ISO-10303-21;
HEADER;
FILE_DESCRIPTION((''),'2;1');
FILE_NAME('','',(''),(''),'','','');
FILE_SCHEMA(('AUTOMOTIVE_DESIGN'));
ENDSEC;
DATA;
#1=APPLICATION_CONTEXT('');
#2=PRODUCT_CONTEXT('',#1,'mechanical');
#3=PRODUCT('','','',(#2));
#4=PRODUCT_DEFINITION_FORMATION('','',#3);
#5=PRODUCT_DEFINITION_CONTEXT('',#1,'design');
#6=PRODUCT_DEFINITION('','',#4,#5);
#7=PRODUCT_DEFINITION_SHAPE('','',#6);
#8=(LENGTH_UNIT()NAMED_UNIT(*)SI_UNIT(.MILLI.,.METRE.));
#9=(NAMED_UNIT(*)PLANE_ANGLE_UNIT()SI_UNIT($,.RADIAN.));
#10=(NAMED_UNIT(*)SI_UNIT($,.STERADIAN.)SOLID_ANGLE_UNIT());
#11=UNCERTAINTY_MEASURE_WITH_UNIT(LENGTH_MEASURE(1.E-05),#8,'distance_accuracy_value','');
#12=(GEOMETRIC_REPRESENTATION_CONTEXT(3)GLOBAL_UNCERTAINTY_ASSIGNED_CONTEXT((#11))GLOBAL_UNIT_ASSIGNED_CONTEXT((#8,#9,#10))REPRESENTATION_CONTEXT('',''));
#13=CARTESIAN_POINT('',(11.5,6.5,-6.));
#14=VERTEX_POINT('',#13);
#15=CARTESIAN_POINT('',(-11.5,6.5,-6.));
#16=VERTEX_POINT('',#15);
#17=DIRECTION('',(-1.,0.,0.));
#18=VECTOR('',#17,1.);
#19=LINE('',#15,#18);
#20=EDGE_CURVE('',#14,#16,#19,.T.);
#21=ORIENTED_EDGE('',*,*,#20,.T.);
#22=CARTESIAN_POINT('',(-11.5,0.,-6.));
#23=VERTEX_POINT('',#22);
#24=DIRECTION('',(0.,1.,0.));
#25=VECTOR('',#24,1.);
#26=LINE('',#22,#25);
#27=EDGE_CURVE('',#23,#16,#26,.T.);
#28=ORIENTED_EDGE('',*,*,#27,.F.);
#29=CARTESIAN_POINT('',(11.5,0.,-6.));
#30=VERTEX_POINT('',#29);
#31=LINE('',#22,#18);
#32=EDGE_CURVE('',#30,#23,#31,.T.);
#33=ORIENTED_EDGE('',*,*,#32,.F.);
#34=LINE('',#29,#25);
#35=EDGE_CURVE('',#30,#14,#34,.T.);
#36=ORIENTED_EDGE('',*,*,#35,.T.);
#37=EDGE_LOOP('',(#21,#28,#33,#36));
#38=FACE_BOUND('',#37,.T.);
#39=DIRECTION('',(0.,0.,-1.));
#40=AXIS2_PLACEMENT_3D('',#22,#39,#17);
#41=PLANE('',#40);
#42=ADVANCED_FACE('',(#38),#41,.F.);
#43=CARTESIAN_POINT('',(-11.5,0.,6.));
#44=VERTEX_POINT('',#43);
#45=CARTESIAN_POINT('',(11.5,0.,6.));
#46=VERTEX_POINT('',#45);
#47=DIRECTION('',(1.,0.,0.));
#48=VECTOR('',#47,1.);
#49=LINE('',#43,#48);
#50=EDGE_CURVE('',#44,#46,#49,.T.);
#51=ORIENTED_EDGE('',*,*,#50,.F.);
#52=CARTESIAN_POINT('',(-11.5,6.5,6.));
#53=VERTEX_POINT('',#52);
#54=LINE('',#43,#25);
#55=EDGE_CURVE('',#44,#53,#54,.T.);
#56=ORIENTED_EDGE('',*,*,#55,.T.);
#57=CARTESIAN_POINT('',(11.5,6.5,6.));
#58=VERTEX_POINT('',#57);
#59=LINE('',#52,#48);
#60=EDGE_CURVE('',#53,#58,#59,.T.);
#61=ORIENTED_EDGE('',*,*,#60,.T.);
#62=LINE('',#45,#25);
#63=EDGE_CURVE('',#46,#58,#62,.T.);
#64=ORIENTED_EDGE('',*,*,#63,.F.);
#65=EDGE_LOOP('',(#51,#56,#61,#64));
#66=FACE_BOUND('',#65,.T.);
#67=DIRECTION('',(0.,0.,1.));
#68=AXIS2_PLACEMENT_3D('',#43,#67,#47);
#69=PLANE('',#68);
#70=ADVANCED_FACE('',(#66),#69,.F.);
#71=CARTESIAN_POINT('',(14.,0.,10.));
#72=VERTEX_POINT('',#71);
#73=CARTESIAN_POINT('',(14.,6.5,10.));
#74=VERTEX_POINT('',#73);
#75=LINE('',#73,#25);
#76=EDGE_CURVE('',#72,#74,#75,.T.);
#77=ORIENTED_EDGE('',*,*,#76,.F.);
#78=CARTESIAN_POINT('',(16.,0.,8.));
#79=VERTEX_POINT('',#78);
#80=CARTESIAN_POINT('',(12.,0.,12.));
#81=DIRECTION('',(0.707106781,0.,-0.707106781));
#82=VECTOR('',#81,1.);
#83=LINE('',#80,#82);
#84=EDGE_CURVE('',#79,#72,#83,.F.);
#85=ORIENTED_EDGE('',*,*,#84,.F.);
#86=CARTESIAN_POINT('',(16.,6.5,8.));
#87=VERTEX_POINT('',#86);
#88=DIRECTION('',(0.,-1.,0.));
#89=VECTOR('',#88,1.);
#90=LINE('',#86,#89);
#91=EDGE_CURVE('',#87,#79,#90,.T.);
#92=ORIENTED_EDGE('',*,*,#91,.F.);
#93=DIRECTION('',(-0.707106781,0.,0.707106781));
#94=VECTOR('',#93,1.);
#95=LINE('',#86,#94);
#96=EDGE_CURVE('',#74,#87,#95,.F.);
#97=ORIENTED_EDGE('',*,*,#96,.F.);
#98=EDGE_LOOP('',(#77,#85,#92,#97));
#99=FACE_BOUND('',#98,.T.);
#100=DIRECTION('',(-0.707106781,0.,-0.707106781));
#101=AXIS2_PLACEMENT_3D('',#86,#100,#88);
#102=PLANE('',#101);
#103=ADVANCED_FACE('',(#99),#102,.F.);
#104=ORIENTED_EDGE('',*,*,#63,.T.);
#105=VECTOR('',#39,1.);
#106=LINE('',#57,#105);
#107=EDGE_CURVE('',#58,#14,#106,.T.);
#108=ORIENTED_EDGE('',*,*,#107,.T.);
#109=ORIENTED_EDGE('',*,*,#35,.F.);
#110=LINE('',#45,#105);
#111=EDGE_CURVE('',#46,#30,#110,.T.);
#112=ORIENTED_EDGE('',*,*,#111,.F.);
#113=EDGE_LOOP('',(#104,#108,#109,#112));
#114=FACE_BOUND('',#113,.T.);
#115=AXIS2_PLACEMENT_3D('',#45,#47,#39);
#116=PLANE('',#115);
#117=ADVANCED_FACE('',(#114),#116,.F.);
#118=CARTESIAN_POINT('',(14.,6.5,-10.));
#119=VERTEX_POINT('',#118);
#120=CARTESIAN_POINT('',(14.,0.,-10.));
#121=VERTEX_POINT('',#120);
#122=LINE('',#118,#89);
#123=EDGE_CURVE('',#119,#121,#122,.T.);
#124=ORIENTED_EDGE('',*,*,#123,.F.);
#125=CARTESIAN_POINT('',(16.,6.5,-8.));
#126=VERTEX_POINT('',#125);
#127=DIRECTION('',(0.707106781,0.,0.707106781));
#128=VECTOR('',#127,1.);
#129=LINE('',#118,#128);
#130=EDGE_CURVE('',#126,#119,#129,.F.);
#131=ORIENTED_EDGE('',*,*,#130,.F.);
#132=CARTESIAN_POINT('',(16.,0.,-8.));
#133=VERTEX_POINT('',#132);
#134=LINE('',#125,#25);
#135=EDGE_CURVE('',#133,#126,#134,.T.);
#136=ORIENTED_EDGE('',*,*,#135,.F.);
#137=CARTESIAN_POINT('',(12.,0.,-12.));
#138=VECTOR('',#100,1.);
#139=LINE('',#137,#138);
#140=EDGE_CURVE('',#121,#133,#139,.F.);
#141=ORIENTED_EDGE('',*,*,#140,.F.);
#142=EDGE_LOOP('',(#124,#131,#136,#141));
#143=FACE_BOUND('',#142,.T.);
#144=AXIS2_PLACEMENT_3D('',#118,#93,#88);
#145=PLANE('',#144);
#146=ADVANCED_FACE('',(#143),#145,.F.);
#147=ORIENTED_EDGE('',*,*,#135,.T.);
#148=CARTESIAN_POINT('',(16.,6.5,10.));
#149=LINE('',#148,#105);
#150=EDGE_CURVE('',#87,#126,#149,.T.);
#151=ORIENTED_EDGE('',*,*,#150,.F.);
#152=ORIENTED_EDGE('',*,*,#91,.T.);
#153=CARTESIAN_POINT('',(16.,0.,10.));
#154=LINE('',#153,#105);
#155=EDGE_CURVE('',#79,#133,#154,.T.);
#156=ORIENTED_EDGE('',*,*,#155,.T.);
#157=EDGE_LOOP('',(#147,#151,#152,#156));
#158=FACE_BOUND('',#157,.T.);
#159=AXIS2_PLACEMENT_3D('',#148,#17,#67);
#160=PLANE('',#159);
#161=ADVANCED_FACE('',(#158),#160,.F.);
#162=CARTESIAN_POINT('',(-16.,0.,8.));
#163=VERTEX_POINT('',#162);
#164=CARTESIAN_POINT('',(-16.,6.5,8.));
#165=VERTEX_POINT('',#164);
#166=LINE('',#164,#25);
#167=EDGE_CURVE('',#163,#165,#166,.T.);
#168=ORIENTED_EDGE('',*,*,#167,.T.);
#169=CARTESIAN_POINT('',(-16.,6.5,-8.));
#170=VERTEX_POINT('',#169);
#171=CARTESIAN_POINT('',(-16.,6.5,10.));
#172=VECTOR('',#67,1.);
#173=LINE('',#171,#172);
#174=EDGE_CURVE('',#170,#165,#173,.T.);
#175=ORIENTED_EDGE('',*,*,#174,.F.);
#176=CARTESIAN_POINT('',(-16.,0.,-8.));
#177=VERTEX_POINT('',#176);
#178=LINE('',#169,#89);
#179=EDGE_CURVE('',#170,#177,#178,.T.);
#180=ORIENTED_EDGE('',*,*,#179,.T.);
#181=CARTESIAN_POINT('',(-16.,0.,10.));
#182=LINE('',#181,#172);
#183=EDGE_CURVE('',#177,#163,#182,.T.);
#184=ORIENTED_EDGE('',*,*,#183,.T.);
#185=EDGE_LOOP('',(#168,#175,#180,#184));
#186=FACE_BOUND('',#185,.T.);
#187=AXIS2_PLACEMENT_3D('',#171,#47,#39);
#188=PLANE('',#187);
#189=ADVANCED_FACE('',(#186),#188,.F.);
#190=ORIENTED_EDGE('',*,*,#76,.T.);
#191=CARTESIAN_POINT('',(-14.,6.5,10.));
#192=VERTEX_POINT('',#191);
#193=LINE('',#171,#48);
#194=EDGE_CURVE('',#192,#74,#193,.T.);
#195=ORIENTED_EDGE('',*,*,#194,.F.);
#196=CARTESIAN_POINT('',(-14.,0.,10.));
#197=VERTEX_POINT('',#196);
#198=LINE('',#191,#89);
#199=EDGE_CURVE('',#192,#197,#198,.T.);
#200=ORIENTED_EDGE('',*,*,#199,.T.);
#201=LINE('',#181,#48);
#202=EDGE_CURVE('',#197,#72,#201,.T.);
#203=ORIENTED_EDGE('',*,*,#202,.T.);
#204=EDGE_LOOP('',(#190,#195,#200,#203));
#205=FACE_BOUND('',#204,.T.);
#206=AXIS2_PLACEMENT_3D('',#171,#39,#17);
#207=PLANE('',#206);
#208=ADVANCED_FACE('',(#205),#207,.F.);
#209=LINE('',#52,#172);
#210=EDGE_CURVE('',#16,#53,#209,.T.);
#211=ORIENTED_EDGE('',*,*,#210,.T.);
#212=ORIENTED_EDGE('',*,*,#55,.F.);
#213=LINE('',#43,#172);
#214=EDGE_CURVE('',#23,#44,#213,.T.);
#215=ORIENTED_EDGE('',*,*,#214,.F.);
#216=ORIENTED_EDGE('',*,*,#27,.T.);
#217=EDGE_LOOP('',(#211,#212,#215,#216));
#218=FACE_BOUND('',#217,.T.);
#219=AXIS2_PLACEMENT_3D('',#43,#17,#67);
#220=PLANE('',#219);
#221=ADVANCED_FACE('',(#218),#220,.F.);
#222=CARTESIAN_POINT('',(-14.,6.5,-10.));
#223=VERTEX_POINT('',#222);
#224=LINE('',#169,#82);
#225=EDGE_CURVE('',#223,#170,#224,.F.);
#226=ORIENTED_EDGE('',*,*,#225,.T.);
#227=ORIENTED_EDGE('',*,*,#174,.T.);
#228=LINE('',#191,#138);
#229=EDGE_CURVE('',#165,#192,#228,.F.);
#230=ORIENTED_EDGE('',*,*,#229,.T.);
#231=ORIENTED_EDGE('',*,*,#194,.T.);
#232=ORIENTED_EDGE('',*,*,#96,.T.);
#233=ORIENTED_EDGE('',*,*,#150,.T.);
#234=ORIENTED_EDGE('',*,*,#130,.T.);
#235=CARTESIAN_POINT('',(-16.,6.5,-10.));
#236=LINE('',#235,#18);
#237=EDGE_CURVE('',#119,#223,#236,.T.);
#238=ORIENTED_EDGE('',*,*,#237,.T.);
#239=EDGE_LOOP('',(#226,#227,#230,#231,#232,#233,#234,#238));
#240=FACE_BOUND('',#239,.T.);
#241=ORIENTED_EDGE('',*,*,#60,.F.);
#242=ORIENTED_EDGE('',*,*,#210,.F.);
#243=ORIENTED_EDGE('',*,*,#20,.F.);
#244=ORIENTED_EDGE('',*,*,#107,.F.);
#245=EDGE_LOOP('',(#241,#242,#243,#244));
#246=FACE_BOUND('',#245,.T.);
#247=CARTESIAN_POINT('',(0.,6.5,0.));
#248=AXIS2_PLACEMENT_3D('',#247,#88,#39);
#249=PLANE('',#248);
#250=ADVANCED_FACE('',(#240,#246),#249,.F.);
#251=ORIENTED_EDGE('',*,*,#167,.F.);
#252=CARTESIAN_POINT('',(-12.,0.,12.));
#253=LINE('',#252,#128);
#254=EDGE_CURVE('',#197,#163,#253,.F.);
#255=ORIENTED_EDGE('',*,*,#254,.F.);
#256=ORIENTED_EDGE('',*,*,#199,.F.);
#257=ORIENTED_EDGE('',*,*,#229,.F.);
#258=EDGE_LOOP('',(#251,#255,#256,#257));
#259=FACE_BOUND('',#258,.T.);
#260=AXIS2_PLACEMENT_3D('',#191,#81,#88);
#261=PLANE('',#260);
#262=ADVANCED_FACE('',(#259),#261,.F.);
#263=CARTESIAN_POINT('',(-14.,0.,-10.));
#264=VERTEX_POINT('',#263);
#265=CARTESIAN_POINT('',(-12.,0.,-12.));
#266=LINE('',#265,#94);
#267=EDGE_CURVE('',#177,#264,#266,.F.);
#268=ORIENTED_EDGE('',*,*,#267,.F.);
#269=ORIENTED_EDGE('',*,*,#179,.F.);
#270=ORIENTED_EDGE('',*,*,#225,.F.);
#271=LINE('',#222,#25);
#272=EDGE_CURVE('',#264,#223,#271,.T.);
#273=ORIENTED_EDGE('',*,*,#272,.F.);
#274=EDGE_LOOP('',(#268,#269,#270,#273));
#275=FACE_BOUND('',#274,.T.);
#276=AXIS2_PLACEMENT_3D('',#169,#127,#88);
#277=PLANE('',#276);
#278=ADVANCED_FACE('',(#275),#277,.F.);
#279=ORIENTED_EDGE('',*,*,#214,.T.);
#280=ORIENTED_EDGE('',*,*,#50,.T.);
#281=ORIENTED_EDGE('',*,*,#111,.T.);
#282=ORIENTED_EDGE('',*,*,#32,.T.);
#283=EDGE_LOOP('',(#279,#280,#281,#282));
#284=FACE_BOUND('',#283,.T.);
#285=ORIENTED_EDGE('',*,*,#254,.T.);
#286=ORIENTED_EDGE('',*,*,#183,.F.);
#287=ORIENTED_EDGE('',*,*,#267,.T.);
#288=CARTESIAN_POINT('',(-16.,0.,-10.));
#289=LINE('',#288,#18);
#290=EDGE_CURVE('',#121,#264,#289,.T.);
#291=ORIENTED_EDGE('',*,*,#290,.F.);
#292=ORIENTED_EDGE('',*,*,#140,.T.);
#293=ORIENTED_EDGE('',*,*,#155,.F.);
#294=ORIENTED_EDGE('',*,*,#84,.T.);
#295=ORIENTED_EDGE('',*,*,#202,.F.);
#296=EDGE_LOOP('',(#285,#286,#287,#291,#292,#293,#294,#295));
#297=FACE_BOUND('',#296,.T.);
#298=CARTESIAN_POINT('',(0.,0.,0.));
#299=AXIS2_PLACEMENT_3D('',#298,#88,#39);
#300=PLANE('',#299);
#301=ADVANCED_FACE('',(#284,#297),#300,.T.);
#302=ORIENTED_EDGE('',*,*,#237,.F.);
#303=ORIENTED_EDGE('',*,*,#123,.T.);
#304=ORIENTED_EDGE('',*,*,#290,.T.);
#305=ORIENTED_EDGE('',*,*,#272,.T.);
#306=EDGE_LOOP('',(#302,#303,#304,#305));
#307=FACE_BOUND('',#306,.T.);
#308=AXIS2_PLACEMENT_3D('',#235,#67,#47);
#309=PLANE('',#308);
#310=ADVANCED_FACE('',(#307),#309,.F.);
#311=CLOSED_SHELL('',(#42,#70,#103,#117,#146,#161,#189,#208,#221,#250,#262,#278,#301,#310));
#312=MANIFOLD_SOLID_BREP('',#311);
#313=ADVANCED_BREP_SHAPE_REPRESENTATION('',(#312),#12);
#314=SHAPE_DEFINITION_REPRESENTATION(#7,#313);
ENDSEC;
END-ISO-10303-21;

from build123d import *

# Parameters (mm, degrees)
SKETCH1_W           = 32
SKETCH1_H           = 20
BOSS_EXTRUDE1_DEPTH = 6.5
SKETCH2_W           = 23
SKETCH2_H           = 12
CUT_EXTRUDE1_DEPTH  = 20.956202043
CHAMFER1_SIZE       = 2


with BuildPart() as part:
    # Sketch1 → Boss-Extrude1 (new body)
    with BuildSketch(Plane(origin=(0, 0, 0), x_dir=(1, 0, 0), z_dir=(0, 1, 0))):
        Rectangle(SKETCH1_W, SKETCH1_H)
    extrude(amount=BOSS_EXTRUDE1_DEPTH)

    # Sketch2 → Cut-Extrude1 (cut, through all)
    with BuildSketch(Plane(origin=(0, 6.5, 0), x_dir=(1, 0, 0), z_dir=(0, 1, 0))):
        Rectangle(SKETCH2_W, SKETCH2_H)
    extrude(amount=-CUT_EXTRUDE1_DEPTH, mode=Mode.SUBTRACT)

    # Chamfer1
    chamfer1_edges = [part.edges().sort_by_distance(p)[0] for p in [
        (16, 3.25, 10),
        (-16, 3.25, 10),
        (-16, 3.25, -10),
        (16, 3.25, -10),
    ]]
    chamfer(chamfer1_edges, length=CHAMFER1_SIZE)


solid = part.part
